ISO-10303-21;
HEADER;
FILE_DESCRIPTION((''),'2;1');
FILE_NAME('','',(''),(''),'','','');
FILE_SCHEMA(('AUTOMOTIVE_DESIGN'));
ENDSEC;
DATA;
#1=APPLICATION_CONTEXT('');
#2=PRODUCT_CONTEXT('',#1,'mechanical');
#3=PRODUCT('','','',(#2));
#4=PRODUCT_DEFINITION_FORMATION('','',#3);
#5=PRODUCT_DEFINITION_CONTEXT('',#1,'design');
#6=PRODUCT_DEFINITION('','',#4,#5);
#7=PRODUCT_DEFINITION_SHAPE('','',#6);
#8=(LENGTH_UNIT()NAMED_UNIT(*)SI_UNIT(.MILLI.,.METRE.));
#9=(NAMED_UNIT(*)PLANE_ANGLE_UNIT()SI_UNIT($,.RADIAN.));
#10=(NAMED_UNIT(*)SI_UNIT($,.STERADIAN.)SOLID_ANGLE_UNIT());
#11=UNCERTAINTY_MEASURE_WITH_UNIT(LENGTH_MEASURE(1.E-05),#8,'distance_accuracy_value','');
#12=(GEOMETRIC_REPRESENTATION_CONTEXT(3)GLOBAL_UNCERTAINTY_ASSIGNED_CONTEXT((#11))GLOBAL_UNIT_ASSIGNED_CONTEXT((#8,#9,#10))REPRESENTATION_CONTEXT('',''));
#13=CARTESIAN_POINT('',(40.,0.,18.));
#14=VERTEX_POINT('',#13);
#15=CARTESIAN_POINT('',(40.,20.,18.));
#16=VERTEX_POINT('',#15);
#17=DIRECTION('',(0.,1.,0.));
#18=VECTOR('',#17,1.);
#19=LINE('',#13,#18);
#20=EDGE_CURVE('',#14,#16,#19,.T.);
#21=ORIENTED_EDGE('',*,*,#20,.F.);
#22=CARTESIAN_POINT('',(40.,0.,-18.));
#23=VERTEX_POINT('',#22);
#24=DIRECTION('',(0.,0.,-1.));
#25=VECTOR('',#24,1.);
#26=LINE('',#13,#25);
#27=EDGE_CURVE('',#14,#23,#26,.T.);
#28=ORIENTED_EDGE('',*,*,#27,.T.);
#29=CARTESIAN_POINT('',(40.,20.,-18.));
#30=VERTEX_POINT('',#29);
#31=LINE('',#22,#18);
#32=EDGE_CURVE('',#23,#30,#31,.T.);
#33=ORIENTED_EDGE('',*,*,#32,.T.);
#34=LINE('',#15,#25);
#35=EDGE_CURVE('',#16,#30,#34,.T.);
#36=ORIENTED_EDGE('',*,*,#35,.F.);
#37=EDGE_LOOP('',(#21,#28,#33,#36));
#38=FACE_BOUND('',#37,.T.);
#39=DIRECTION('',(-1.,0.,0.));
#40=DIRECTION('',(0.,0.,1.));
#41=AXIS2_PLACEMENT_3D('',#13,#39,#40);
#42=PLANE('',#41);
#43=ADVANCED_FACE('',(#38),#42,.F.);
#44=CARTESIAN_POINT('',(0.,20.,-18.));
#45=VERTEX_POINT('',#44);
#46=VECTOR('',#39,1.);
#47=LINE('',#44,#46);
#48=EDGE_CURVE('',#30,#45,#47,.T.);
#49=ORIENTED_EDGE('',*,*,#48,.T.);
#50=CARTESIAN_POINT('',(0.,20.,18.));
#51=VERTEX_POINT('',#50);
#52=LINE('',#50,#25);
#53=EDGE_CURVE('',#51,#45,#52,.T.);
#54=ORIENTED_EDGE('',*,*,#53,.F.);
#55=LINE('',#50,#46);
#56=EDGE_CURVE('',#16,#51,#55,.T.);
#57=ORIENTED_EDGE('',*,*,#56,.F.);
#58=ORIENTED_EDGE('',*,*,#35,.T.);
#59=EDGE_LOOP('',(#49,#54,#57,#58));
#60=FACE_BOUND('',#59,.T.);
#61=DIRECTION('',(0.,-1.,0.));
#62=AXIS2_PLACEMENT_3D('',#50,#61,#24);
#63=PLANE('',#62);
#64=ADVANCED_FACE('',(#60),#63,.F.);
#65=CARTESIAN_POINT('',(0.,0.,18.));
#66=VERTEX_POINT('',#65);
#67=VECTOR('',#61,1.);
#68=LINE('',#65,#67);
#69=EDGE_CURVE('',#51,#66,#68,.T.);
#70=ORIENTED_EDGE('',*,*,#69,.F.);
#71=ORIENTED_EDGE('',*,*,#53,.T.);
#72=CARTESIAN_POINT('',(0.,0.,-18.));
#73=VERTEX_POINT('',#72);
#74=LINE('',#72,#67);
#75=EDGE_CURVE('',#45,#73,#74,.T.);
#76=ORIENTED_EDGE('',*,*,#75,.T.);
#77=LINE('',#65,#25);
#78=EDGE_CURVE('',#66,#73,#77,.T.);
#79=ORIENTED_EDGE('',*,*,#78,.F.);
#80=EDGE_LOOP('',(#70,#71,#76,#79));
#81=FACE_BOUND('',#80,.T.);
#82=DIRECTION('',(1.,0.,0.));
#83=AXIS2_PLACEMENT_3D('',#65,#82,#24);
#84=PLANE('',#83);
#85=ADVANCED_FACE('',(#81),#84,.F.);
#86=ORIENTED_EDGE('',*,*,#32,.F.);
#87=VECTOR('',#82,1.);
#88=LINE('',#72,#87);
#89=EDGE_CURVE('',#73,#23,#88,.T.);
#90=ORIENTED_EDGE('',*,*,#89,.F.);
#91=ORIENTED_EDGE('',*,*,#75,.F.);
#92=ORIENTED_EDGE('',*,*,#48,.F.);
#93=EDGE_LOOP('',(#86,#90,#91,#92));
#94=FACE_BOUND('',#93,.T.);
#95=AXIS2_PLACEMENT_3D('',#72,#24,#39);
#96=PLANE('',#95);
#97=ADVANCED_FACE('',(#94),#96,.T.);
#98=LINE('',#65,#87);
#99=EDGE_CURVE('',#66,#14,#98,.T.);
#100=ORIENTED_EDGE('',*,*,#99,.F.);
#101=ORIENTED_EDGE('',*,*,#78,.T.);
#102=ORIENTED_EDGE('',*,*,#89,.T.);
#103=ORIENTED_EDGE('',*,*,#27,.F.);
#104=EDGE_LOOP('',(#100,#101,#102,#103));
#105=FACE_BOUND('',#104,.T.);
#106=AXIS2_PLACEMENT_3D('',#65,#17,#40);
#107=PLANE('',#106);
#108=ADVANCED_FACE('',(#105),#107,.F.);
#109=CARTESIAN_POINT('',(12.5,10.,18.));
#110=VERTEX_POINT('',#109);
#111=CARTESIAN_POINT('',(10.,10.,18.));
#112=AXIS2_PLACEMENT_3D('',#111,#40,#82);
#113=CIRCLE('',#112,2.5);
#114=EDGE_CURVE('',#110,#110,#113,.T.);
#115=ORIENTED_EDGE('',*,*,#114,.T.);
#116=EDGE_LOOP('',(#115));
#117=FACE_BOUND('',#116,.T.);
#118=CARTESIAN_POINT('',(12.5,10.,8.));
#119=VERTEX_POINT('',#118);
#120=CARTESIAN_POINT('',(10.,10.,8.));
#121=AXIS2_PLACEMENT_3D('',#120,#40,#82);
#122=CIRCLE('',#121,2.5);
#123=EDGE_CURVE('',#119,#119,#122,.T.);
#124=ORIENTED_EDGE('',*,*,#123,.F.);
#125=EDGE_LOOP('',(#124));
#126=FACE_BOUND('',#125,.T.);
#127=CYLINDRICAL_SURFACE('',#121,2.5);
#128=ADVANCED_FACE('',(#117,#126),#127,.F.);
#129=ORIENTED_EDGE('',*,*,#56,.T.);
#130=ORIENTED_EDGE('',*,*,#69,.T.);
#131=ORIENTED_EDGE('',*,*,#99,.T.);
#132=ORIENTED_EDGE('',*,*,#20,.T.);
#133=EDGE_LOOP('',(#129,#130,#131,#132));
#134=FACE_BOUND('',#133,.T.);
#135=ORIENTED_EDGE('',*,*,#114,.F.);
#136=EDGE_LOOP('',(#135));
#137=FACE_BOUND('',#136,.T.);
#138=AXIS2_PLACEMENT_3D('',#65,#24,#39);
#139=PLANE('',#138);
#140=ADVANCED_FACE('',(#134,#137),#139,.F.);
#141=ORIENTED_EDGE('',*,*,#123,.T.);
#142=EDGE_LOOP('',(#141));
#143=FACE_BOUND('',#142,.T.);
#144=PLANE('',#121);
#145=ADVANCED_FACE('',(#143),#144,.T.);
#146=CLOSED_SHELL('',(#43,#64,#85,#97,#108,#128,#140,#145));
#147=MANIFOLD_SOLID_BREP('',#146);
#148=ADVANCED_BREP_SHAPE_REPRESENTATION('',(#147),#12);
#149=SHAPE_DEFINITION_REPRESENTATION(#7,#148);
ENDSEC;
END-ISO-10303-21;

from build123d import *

# Parameters (mm, degrees)
ESQUISSE1_W             = 40
ESQUISSE1_H             = 20
BOSS_EXTRU_1_DEPTH      = 18
ESQUISSE2_R             = 2.5
ENL_V_MAT_EXTRU_1_DEPTH = 10


with BuildPart() as part:
    # Esquisse1 → Boss.-Extru.1 (new, symmetric)
    with BuildSketch(Plane.XY):
        with Locations((20, 10)):
            Rectangle(ESQUISSE1_W, ESQUISSE1_H)
    extrude(amount=BOSS_EXTRU_1_DEPTH, both=True)

    # Esquisse2 → Enlèv. mat.-Extru.1 (cut)
    with BuildSketch(Plane.XY.offset(18)):
        with Locations((10, 10)):
            Circle(ESQUISSE2_R)
    extrude(amount=-ENL_V_MAT_EXTRU_1_DEPTH, mode=Mode.SUBTRACT)


solid = part.part
